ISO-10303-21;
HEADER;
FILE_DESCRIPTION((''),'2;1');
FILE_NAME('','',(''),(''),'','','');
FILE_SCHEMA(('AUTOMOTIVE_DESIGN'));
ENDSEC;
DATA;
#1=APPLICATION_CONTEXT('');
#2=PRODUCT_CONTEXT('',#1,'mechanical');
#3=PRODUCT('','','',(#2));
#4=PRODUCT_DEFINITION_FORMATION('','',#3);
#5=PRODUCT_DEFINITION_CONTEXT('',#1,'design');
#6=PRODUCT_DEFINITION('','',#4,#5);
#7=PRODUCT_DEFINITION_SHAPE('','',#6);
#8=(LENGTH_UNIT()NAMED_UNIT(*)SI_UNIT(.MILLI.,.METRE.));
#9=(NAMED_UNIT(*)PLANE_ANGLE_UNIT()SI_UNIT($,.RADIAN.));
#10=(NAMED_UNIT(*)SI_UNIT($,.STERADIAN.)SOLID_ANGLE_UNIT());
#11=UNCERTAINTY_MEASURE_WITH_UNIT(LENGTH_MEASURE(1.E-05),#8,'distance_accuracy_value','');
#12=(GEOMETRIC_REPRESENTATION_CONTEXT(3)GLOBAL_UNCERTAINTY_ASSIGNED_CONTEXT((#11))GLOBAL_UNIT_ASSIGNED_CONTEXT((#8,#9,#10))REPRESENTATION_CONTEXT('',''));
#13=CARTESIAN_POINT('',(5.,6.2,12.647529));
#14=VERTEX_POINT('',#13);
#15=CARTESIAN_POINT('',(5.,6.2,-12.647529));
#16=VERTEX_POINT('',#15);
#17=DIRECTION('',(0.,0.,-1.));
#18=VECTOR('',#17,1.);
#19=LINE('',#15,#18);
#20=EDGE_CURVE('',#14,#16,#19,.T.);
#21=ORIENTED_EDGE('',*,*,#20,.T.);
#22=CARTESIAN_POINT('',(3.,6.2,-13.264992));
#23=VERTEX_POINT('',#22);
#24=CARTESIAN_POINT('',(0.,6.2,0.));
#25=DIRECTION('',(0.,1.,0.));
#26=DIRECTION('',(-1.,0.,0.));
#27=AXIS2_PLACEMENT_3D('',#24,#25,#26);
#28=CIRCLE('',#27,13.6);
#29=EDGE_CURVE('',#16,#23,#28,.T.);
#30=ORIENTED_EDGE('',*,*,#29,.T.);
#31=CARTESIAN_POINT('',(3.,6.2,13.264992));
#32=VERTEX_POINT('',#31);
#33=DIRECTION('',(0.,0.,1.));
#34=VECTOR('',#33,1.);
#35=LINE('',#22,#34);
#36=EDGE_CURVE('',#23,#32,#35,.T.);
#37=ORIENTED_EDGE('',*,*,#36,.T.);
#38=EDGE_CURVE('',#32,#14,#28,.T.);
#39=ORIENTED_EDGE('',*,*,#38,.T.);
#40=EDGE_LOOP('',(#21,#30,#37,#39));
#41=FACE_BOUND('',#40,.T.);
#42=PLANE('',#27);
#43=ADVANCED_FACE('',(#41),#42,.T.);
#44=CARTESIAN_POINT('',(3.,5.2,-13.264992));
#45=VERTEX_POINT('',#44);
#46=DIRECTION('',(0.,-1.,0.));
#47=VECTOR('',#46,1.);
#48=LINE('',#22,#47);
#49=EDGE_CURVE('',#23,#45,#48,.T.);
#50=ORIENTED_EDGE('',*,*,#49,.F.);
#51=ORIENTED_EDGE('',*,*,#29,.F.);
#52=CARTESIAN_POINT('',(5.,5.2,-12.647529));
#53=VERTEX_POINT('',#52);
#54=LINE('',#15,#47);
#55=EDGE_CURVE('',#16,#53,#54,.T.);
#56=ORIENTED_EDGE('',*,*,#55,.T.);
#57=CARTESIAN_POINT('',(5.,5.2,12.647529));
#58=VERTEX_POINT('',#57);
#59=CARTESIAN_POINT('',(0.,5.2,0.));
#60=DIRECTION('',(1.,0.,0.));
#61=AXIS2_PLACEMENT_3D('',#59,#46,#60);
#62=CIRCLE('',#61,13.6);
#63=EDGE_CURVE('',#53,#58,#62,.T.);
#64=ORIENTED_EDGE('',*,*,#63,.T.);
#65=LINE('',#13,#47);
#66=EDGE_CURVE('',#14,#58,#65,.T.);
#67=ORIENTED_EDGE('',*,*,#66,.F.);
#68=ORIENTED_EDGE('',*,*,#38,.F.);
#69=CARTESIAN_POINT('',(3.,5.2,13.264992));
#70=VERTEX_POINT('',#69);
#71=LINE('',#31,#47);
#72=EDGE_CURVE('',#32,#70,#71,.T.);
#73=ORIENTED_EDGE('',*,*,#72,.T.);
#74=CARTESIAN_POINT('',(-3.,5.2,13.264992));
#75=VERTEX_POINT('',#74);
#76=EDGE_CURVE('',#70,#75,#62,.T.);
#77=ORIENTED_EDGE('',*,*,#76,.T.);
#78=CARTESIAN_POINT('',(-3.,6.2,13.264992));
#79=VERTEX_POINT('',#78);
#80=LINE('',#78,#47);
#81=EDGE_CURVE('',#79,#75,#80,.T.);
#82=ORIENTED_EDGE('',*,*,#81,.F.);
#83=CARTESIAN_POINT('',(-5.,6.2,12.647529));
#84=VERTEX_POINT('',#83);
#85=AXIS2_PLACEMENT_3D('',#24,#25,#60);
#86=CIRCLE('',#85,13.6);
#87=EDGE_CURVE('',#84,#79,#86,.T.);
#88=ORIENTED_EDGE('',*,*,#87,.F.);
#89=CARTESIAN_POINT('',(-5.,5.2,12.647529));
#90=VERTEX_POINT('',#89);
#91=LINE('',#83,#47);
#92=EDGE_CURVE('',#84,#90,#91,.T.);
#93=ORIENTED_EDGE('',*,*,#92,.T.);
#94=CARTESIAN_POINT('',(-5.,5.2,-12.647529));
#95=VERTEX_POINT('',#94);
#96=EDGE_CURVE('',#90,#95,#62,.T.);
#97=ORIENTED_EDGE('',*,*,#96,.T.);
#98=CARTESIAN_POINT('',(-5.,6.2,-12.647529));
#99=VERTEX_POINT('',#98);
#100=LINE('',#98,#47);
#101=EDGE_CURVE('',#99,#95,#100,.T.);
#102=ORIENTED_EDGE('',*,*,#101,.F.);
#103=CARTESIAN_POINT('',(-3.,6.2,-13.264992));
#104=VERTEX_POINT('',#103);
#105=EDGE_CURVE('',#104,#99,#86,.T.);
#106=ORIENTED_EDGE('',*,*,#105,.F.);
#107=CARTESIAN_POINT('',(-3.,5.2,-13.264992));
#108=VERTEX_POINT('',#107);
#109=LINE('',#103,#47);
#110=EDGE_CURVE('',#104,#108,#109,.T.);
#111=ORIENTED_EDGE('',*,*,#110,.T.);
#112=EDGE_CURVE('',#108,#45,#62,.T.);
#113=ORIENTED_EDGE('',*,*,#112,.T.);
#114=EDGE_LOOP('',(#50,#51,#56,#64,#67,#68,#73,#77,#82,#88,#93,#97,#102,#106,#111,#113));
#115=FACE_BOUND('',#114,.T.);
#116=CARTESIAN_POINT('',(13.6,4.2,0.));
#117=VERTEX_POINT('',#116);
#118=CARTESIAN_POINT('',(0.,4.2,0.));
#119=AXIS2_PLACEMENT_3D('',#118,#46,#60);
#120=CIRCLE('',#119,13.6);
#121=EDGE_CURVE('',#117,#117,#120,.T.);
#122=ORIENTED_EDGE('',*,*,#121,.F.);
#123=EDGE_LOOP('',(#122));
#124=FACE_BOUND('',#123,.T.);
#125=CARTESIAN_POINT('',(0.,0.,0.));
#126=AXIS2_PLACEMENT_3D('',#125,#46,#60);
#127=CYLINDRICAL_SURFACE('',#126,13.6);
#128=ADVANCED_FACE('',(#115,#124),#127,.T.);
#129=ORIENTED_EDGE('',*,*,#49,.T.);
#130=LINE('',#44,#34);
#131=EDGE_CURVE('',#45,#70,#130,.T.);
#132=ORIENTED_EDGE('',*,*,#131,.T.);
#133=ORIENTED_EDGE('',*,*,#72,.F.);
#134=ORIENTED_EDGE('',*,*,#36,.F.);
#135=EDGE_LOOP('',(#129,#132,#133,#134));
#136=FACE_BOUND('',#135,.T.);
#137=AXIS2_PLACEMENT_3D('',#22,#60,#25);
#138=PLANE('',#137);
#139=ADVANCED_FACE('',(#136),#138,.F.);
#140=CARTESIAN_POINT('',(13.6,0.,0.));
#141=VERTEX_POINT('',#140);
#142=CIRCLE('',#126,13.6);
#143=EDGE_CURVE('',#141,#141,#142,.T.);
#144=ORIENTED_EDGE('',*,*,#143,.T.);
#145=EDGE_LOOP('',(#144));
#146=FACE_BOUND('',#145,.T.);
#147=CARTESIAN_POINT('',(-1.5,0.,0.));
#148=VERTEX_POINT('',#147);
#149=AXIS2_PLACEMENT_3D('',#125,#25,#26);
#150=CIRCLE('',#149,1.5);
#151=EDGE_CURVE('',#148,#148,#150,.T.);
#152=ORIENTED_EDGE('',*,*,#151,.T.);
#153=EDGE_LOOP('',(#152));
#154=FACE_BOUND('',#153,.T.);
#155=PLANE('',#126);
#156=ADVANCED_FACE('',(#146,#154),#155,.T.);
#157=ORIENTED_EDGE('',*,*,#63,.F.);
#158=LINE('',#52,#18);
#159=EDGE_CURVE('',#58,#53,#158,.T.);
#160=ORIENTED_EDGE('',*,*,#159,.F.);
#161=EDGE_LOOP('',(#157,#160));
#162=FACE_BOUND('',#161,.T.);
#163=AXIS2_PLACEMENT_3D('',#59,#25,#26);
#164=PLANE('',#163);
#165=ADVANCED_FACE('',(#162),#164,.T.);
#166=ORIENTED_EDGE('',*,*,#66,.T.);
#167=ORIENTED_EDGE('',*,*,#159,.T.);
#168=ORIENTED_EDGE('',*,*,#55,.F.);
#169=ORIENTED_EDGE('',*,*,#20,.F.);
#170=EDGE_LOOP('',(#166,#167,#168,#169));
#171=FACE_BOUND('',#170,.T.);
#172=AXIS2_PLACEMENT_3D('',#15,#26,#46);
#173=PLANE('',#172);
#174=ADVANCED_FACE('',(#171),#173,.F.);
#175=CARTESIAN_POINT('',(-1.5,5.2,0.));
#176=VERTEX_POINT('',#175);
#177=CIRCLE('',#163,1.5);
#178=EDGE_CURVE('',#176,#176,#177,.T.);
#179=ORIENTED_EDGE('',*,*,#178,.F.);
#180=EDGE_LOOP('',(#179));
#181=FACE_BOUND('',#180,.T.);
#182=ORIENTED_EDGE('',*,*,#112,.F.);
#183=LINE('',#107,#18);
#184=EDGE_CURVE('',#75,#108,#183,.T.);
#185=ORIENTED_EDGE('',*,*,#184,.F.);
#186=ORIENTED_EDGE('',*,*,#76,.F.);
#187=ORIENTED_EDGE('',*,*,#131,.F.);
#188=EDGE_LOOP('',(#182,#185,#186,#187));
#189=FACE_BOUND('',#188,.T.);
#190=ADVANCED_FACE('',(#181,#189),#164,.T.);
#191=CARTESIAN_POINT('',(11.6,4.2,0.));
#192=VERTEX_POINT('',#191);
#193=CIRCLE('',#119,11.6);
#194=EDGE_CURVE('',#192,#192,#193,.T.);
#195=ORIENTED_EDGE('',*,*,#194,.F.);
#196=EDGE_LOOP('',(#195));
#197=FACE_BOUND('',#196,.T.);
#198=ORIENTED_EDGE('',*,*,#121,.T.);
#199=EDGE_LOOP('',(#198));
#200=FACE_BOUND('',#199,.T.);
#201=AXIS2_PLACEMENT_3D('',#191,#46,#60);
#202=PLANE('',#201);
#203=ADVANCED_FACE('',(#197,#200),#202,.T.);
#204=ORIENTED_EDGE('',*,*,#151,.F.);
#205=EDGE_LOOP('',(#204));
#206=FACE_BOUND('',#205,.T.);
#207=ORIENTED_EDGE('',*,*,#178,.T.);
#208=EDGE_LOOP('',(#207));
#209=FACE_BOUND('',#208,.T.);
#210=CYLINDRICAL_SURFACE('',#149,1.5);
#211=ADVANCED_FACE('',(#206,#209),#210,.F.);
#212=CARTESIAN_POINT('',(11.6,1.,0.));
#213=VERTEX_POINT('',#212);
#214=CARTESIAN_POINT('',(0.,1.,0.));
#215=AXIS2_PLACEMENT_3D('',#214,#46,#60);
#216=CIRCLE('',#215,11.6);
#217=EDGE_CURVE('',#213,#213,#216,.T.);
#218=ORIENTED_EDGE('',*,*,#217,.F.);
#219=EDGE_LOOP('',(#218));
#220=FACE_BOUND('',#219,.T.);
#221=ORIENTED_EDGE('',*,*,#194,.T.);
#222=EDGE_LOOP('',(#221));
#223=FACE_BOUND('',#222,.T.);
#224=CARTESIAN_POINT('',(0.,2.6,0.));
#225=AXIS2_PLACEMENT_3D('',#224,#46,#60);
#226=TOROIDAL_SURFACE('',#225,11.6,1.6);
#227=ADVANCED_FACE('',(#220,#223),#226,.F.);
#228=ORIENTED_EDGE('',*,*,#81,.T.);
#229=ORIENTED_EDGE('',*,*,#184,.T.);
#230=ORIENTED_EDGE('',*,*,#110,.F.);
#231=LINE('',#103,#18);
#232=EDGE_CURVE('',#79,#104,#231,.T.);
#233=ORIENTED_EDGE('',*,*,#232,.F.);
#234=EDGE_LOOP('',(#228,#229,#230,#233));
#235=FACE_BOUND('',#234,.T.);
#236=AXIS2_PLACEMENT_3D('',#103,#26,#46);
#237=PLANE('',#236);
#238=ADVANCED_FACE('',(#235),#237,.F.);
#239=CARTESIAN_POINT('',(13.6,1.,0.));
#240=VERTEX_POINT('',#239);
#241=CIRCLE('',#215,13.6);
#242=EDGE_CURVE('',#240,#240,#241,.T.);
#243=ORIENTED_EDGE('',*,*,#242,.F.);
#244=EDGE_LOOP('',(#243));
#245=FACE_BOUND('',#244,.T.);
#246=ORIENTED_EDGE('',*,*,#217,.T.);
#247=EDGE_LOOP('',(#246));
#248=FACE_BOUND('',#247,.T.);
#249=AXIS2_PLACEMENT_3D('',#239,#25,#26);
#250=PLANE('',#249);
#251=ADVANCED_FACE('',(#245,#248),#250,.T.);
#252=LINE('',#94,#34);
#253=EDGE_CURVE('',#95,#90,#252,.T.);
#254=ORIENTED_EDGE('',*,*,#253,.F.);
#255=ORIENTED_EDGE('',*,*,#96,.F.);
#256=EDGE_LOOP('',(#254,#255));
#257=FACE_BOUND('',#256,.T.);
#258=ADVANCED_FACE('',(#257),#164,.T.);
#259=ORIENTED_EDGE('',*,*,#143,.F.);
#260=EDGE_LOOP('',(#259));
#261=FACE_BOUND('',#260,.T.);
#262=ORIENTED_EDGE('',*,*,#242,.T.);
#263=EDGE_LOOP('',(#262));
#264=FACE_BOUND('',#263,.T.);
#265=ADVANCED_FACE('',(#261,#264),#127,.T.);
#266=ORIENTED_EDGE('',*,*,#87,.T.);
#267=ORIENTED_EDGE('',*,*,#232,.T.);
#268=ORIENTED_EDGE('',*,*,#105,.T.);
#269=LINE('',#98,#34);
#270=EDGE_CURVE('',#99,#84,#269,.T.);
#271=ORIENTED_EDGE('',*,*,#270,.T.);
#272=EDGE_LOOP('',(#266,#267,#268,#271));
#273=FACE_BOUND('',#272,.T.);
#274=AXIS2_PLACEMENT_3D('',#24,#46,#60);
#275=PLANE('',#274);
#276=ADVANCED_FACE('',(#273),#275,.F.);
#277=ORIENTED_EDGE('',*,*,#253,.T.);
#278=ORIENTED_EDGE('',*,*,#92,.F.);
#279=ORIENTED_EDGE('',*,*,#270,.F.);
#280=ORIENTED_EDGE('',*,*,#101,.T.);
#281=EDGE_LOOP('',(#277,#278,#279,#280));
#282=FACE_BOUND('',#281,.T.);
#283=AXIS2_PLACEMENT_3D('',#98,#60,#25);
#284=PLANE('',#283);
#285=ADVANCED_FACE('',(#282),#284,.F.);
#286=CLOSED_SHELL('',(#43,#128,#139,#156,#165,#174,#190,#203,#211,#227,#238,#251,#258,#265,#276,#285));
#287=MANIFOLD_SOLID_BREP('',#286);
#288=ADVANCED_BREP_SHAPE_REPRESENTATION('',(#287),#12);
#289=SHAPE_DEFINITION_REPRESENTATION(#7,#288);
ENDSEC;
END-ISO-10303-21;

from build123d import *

# Parameters (mm, degrees)
SKETCH_2_R          = 1.5
CUT_EXTRUDE_1_DEPTH = 20.923855049
EXTRUDE_START       = 1
EXTRUDE_1_DEPTH     = 1


with BuildPart() as part:
    # ｽｹｯﾁ1 → 回転1 (revolve)
    with BuildSketch(Plane.XY):
        with BuildLine():
            Line((0, 0), (13.6, 0))
            Line((13.6, 0), (13.6, 1))
            Line((13.6, 1), (11.6, 1))
            ThreePointArc((11.6, 1), (10, 2.6), (11.6, 4.2))
            Line((11.6, 4.2), (13.6, 4.2))
            Line((13.6, 4.2), (13.6, 5.2))
            Line((13.6, 5.2), (0, 5.2))
            Line((0, 5.2), (0, 0))
        make_face()
    revolve(axis=Axis((0, 0, 0), (0, 1, 0)))

    # ｽｹｯﾁ2 → ｶｯﾄ - 押し出し1 (cut, through all)
    with BuildSketch(Plane(origin=(0, 5.2, 0), x_dir=(1, 0, 0), z_dir=(0, 1, 0))):
        with Locations(Location((0, 0, 0), (0, 0, 180))):
            Circle(SKETCH_2_R)
    extrude(amount=-CUT_EXTRUDE_1_DEPTH, mode=Mode.SUBTRACT)

    # ｽｹｯﾁ3 → ﾎﾞｽ - 押し出し1 (add)
    with BuildSketch(Plane(origin=(0, 5.2, 0), x_dir=(1, 0, 0), z_dir=(0, 1, 0)).offset(EXTRUDE_START)):
        with BuildLine():
            Line((3, 13.264991519), (3, -13.264991519))
            ThreePointArc((3, -13.264991519), (4.011896667, -12.99479454), (5, -12.647529403))
            Line((5, -12.647529403), (5, 12.647529403))
            ThreePointArc((5, 12.647529403), (4.011896667, 12.99479454), (3, 13.264991519))
        make_face()
        with BuildLine():
            Line((-5, 12.647529403), (-5, -12.647529403))
            ThreePointArc((-5, -12.647529403), (-4.011896667, -12.99479454), (-3, -13.264991519))
            Line((-3, -13.264991519), (-3, 13.264991519))
            ThreePointArc((-3, 13.264991519), (-4.011896667, 12.99479454), (-5, 12.647529403))
        make_face()
    extrude(amount=-EXTRUDE_1_DEPTH)


solid = part.part
